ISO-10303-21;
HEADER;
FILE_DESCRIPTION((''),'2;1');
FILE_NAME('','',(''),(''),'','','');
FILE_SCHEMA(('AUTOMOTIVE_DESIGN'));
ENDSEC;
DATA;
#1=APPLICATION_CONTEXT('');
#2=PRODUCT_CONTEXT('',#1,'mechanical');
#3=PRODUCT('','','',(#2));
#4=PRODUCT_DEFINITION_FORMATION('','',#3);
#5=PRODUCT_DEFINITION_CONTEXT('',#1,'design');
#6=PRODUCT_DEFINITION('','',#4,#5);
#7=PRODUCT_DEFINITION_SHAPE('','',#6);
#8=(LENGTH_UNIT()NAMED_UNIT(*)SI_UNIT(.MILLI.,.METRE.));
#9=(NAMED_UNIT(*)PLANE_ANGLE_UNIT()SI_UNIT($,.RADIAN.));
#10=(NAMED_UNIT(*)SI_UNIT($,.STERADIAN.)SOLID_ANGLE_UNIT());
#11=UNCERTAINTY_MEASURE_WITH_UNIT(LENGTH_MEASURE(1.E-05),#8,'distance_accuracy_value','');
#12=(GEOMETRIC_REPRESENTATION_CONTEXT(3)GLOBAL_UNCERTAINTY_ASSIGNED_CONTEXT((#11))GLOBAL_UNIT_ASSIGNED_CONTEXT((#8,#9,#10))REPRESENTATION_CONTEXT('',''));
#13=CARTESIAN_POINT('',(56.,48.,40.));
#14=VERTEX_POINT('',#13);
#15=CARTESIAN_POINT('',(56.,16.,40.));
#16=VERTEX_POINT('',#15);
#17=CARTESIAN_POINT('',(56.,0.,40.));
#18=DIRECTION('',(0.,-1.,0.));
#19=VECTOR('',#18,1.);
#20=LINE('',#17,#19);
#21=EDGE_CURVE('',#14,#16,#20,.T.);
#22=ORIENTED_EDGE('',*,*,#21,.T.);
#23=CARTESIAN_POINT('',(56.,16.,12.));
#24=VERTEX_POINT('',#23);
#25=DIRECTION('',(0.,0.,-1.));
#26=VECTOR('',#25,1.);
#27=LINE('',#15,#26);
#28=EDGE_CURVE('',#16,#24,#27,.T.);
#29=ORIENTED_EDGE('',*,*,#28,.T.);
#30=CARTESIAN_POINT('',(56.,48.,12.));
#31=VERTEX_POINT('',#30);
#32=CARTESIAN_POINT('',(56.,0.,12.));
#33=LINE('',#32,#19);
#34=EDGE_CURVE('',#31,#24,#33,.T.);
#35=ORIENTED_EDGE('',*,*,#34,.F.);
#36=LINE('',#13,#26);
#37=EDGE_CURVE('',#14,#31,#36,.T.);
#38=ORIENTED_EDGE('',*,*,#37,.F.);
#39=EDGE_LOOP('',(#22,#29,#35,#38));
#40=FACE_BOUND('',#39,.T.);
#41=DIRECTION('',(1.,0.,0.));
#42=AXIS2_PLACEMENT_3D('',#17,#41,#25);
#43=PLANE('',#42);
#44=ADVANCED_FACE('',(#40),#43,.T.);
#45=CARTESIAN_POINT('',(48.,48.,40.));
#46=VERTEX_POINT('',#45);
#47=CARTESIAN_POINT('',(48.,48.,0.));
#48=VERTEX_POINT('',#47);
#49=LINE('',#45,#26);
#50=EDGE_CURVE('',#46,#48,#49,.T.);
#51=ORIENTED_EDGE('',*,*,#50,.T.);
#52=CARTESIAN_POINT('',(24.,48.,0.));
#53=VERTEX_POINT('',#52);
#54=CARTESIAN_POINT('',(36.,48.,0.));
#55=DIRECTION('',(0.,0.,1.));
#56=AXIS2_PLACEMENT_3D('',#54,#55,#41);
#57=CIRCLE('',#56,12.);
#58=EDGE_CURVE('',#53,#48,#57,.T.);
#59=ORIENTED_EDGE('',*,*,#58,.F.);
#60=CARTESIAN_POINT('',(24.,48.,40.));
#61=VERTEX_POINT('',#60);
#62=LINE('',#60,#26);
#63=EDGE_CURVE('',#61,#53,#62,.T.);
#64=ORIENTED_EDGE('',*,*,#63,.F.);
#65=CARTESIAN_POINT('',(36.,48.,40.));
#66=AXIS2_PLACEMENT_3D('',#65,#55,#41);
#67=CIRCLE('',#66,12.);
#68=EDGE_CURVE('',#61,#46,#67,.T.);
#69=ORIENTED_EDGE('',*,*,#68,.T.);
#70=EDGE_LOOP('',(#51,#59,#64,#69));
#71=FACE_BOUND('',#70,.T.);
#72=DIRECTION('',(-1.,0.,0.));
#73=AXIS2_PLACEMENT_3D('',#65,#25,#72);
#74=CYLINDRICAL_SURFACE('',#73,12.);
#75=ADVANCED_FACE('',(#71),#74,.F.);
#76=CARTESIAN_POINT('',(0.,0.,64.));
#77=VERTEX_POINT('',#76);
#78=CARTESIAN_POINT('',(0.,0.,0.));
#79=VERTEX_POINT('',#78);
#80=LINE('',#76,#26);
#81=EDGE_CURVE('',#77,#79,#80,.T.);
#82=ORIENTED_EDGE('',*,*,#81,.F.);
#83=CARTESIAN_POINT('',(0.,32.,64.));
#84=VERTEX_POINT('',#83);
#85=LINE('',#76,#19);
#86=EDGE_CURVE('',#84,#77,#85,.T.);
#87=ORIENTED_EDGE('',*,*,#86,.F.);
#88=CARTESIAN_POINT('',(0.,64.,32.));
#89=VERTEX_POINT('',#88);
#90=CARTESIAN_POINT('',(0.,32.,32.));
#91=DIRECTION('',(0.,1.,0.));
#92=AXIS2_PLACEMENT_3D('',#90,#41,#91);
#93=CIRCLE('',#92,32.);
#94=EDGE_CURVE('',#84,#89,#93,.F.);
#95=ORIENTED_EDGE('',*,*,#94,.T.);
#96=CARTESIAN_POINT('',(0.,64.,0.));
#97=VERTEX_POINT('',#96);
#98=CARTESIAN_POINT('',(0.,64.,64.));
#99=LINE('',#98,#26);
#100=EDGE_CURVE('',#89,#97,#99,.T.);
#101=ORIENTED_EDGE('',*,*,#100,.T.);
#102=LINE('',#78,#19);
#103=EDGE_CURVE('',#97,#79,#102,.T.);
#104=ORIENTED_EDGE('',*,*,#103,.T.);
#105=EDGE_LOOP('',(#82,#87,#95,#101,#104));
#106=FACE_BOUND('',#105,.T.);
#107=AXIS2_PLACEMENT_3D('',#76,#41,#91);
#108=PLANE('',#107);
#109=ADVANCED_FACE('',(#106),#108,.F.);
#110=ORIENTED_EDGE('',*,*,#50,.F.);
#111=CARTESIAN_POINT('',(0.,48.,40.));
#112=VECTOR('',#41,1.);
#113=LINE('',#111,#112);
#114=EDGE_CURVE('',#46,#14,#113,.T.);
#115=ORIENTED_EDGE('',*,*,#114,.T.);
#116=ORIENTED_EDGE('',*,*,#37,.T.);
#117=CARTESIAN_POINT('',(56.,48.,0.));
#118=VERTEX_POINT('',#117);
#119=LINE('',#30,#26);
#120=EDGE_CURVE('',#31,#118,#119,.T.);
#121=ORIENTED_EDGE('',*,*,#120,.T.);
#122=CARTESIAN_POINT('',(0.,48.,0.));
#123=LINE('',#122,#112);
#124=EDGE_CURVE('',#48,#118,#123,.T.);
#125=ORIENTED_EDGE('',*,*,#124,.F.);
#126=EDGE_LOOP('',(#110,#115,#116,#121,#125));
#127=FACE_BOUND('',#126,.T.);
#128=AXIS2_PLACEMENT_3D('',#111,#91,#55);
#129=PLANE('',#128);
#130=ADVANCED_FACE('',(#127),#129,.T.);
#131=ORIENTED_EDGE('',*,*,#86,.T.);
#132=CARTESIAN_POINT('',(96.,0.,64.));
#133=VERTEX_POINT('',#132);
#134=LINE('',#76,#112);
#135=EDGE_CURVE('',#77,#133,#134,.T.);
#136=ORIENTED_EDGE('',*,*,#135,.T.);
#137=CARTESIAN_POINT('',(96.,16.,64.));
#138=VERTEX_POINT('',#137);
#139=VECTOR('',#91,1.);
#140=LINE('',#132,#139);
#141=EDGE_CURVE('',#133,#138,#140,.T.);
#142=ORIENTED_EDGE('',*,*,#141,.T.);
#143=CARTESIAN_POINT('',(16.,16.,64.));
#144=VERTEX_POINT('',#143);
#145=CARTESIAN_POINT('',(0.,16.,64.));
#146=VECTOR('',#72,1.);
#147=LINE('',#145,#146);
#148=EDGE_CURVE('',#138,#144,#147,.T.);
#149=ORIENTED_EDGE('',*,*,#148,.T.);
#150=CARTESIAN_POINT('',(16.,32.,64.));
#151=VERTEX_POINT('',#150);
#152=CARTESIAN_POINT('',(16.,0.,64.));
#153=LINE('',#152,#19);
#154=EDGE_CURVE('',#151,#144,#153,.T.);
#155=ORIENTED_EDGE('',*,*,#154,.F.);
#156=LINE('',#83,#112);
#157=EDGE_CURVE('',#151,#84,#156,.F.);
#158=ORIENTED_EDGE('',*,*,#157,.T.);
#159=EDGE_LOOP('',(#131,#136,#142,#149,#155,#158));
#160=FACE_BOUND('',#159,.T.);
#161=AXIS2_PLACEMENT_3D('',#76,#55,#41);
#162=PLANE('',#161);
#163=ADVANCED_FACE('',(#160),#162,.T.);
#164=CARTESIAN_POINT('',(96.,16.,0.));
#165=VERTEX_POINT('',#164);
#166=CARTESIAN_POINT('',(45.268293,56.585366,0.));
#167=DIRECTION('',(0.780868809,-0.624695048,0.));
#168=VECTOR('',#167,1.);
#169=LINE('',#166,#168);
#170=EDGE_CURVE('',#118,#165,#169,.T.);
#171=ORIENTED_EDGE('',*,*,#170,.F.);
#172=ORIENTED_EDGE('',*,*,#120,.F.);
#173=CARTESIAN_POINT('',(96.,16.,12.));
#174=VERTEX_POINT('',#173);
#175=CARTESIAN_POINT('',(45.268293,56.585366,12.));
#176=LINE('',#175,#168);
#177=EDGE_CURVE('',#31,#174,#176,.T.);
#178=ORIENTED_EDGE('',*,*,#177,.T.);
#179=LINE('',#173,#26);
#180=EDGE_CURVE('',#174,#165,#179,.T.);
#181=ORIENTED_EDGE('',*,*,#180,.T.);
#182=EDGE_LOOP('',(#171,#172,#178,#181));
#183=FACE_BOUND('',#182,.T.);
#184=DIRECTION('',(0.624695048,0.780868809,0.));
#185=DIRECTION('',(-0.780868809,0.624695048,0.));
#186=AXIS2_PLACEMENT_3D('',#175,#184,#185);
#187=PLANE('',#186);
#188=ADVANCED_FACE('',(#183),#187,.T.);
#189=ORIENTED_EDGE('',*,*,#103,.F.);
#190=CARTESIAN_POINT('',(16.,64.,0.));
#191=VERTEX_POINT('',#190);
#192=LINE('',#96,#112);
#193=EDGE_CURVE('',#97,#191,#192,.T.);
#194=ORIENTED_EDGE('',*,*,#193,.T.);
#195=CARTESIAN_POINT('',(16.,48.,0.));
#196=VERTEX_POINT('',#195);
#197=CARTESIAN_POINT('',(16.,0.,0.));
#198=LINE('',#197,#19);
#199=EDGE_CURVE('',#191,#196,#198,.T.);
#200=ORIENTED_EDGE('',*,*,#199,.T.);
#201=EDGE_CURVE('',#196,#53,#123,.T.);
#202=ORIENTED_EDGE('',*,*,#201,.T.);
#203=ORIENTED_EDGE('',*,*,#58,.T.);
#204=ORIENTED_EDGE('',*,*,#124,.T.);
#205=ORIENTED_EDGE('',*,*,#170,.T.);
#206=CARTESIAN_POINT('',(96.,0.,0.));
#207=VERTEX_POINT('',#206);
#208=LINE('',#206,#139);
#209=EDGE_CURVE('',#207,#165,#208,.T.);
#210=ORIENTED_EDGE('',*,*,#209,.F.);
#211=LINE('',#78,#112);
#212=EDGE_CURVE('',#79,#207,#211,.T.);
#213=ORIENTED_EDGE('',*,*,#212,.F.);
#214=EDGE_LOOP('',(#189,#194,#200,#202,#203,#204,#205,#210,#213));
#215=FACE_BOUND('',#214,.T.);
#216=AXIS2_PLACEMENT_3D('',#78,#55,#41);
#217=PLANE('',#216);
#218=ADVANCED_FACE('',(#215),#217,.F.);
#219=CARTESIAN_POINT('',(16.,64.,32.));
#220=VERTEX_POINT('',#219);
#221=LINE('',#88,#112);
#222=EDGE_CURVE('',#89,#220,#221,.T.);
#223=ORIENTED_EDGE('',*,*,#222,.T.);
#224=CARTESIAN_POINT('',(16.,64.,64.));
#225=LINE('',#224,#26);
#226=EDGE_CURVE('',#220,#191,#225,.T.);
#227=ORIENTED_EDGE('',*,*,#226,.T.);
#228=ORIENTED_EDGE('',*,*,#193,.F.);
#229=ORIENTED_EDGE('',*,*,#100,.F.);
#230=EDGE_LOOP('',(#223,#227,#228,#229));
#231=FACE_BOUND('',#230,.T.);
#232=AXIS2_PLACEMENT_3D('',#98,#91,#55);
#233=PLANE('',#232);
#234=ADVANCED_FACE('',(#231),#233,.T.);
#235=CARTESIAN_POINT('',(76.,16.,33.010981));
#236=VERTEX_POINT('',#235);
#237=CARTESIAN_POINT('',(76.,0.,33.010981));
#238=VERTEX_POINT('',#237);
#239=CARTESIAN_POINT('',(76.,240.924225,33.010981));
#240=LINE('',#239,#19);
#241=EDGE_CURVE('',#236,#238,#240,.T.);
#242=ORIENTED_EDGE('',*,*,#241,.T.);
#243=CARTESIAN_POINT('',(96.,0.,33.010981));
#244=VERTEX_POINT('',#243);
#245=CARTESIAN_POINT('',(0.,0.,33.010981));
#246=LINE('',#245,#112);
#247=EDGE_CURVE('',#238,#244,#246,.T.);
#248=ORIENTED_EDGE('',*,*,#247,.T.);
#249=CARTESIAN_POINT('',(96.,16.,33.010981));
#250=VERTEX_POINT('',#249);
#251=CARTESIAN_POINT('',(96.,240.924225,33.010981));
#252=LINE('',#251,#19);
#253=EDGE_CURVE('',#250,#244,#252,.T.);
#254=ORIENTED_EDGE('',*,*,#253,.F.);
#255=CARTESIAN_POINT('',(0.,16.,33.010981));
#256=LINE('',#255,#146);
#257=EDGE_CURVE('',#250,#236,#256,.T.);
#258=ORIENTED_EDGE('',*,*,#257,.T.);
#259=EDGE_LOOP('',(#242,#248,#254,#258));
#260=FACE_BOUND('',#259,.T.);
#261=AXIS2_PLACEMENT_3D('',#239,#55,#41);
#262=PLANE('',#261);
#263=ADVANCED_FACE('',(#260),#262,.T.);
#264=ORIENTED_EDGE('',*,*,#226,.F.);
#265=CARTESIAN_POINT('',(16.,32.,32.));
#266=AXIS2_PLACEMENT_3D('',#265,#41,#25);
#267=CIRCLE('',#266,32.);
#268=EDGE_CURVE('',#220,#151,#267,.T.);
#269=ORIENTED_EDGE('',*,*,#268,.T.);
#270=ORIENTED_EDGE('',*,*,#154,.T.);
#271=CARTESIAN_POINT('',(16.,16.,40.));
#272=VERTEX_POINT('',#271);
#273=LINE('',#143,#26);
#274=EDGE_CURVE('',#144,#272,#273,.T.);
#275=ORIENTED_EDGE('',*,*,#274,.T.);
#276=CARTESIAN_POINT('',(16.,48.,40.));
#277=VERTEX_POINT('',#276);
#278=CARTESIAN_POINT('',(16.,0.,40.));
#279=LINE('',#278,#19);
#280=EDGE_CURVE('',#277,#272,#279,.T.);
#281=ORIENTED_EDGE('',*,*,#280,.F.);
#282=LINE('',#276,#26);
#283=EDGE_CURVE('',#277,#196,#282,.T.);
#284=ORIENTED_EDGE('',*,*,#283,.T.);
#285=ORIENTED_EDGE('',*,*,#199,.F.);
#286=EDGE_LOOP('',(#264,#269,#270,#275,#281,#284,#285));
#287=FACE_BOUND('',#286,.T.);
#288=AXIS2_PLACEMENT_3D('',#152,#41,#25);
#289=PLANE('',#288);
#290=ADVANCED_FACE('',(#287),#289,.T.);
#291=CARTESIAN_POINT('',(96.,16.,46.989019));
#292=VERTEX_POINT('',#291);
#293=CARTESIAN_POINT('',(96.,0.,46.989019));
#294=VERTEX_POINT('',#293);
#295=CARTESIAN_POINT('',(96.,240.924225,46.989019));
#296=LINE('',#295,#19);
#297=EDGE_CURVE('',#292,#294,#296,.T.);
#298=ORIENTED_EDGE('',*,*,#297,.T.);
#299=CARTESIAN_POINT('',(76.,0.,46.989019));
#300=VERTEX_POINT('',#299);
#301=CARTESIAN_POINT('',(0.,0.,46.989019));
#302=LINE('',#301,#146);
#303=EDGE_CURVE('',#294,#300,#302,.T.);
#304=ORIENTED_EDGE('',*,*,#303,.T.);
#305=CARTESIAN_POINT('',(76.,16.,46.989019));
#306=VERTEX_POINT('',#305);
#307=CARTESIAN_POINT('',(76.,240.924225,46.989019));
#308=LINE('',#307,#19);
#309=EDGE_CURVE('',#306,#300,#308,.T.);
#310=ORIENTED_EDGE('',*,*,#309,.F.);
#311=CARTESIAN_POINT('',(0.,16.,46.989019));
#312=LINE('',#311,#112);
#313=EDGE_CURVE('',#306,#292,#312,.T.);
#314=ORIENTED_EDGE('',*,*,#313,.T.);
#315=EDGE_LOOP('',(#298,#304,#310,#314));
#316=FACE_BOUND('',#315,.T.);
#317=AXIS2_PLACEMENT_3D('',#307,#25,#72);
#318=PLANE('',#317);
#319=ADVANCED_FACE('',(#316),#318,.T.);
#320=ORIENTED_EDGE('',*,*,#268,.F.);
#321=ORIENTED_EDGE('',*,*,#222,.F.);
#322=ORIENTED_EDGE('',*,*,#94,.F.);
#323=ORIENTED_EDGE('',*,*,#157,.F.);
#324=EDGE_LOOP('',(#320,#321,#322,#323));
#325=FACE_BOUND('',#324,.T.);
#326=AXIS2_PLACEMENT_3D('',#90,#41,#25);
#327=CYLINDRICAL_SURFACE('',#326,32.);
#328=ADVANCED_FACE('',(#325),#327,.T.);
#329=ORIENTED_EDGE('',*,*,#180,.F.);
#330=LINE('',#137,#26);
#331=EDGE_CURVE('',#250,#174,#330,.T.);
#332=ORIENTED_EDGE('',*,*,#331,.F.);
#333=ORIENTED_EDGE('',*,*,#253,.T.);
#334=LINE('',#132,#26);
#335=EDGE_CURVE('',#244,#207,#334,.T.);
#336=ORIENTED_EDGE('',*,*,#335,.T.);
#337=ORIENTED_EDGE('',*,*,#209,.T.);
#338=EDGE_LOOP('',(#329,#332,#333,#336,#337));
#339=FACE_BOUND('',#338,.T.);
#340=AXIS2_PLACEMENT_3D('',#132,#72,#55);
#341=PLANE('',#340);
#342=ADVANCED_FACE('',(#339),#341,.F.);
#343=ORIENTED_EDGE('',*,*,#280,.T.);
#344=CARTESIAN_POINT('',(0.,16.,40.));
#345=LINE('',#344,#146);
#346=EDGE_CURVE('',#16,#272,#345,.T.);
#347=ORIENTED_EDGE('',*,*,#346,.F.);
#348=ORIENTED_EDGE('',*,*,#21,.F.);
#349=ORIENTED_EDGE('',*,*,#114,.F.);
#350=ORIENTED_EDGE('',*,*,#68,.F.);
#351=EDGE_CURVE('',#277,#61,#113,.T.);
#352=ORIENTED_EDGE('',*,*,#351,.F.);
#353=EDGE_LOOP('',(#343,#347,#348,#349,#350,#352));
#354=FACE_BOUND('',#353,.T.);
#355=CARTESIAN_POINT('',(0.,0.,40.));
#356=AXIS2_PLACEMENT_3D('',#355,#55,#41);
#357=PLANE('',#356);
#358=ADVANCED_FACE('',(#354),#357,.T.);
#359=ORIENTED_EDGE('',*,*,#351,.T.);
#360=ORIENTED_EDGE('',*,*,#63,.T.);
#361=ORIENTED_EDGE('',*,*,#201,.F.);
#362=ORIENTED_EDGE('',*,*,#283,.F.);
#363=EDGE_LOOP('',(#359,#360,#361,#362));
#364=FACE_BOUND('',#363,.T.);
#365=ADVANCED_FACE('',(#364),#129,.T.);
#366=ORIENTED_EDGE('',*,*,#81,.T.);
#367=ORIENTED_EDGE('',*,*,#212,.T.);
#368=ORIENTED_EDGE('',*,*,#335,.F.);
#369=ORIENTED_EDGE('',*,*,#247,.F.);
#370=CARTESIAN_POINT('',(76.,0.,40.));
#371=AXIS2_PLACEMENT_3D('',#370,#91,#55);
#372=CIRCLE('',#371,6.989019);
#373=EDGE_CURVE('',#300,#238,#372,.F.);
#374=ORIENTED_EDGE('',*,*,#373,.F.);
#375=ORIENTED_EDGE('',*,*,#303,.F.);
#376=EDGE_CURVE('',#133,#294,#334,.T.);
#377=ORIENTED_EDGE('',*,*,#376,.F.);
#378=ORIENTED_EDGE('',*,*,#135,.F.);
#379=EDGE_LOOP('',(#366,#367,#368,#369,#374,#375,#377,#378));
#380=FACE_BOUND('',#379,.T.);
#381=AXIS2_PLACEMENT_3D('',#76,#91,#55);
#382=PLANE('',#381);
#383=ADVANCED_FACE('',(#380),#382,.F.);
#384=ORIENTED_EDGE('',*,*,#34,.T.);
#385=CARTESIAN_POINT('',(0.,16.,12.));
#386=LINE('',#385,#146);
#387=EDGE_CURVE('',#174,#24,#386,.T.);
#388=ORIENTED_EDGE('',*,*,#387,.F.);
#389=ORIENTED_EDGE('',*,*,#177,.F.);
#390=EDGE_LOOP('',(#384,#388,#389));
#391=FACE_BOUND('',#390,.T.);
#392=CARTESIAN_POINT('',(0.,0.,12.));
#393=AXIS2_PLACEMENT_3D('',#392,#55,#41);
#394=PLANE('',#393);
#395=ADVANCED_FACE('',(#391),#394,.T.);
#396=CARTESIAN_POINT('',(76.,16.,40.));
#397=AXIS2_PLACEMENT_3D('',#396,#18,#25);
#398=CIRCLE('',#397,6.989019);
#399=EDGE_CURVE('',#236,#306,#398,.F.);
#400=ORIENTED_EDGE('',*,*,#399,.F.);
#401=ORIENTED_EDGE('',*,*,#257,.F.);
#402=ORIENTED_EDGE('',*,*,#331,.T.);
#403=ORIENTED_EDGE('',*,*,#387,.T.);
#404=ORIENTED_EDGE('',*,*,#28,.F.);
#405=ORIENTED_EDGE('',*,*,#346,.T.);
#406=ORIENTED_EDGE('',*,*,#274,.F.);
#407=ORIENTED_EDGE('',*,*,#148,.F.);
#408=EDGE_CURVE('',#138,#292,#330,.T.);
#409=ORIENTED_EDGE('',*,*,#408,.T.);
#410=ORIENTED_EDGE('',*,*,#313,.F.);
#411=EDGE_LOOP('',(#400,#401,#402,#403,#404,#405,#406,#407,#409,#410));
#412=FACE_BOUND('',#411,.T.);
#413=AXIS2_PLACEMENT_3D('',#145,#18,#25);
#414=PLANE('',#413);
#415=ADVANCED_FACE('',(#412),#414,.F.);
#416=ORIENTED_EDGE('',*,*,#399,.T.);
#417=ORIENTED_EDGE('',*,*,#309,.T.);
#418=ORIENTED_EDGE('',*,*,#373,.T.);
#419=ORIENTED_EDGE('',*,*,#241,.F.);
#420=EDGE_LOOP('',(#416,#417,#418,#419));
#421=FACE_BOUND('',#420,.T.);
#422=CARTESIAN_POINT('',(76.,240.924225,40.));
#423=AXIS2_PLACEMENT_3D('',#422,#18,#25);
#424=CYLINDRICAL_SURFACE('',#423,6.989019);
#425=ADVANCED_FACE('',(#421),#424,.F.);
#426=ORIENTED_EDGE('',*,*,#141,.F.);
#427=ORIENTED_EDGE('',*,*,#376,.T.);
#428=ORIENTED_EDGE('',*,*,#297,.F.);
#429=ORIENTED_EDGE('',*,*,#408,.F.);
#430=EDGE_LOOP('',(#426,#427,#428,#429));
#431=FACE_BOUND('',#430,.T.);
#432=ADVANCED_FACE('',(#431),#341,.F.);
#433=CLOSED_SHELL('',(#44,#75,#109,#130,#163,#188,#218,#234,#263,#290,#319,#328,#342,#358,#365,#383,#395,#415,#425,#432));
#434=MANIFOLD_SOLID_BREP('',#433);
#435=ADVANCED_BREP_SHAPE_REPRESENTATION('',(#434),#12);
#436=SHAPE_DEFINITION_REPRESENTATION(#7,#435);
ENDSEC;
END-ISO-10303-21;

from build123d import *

# Parameters (mm, degrees)
BOSS_EXTRUDE1_DEPTH     = 64
BOSS_EXTRUDE2_DEPTH     = 40
BOSS_EXTRUDE3_DEPTH     = 12
FILLET2_R               = 32
CUT_EXTRUDE1_DEPTH      = 125.963994815
CUT_EXTRUDE1_DEPTH_BACK = 125.963994815


with BuildPart() as part:
    # Sketch1 → Boss-Extrude1 (new body)
    with BuildSketch(Plane.XY):
        Polygon((16, 48), (16, 64), (0, 64), (0, 0), (96, 0), (96, 16), (56, 16), (16, 16), align=None)
    extrude(amount=BOSS_EXTRUDE1_DEPTH)

    # Sketch1<3> → Boss-Extrude2 (add)
    with BuildSketch(Plane.XY):
        with BuildLine():
            Line((24, 48), (16, 48))
            Line((16, 48), (16, 16))
            Line((16, 16), (56, 16))
            Line((56, 16), (56, 48))
            Line((56, 48), (48, 48))
            ThreePointArc((48, 48), (36, 36), (24, 48))
        make_face()
    extrude(amount=BOSS_EXTRUDE2_DEPTH)

    # Sketch1<4> → Boss-Extrude3 (add)
    with BuildSketch(Plane.XY):
        Polygon((56, 48), (56, 16), (96, 16), align=None)
    extrude(amount=BOSS_EXTRUDE3_DEPTH)

    # Fillet2
    fillet2_edges = [part.edges().sort_by_distance(p)[0] for p in [
        (8, 64, 64),
    ]]
    fillet(fillet2_edges, radius=FILLET2_R)

    # Sketch2 → Cut-Extrude1 (cut, two sides: drawn at the far end of the back side and taken through both)
    with BuildSketch(Plane(origin=(0, 16, 0), x_dir=(1, 0, 0), z_dir=(0, 1, 0)).offset(-CUT_EXTRUDE1_DEPTH_BACK)):
        with BuildLine():
            Line((319.765927442, -46.98901929), (96, -46.98901929))
            Line((96, -46.98901929), (76, -46.98901929))
            ThreePointArc((76, -46.98901929), (69.01098071, -40), (76, -33.01098071))
            Line((76, -33.01098071), (96, -33.01098071))
            Line((96, -33.01098071), (319.765927442, -33.01098071))
            Line((319.765927442, -33.01098071), (767.297782327, -33.01098071))
            Line((767.297782327, -33.01098071), (767.297782327, -46.98901929))
            Line((767.297782327, -46.98901929), (319.765927442, -46.98901929))
        make_face()
    extrude(amount=CUT_EXTRUDE1_DEPTH + CUT_EXTRUDE1_DEPTH_BACK, mode=Mode.SUBTRACT)


solid = part.part
